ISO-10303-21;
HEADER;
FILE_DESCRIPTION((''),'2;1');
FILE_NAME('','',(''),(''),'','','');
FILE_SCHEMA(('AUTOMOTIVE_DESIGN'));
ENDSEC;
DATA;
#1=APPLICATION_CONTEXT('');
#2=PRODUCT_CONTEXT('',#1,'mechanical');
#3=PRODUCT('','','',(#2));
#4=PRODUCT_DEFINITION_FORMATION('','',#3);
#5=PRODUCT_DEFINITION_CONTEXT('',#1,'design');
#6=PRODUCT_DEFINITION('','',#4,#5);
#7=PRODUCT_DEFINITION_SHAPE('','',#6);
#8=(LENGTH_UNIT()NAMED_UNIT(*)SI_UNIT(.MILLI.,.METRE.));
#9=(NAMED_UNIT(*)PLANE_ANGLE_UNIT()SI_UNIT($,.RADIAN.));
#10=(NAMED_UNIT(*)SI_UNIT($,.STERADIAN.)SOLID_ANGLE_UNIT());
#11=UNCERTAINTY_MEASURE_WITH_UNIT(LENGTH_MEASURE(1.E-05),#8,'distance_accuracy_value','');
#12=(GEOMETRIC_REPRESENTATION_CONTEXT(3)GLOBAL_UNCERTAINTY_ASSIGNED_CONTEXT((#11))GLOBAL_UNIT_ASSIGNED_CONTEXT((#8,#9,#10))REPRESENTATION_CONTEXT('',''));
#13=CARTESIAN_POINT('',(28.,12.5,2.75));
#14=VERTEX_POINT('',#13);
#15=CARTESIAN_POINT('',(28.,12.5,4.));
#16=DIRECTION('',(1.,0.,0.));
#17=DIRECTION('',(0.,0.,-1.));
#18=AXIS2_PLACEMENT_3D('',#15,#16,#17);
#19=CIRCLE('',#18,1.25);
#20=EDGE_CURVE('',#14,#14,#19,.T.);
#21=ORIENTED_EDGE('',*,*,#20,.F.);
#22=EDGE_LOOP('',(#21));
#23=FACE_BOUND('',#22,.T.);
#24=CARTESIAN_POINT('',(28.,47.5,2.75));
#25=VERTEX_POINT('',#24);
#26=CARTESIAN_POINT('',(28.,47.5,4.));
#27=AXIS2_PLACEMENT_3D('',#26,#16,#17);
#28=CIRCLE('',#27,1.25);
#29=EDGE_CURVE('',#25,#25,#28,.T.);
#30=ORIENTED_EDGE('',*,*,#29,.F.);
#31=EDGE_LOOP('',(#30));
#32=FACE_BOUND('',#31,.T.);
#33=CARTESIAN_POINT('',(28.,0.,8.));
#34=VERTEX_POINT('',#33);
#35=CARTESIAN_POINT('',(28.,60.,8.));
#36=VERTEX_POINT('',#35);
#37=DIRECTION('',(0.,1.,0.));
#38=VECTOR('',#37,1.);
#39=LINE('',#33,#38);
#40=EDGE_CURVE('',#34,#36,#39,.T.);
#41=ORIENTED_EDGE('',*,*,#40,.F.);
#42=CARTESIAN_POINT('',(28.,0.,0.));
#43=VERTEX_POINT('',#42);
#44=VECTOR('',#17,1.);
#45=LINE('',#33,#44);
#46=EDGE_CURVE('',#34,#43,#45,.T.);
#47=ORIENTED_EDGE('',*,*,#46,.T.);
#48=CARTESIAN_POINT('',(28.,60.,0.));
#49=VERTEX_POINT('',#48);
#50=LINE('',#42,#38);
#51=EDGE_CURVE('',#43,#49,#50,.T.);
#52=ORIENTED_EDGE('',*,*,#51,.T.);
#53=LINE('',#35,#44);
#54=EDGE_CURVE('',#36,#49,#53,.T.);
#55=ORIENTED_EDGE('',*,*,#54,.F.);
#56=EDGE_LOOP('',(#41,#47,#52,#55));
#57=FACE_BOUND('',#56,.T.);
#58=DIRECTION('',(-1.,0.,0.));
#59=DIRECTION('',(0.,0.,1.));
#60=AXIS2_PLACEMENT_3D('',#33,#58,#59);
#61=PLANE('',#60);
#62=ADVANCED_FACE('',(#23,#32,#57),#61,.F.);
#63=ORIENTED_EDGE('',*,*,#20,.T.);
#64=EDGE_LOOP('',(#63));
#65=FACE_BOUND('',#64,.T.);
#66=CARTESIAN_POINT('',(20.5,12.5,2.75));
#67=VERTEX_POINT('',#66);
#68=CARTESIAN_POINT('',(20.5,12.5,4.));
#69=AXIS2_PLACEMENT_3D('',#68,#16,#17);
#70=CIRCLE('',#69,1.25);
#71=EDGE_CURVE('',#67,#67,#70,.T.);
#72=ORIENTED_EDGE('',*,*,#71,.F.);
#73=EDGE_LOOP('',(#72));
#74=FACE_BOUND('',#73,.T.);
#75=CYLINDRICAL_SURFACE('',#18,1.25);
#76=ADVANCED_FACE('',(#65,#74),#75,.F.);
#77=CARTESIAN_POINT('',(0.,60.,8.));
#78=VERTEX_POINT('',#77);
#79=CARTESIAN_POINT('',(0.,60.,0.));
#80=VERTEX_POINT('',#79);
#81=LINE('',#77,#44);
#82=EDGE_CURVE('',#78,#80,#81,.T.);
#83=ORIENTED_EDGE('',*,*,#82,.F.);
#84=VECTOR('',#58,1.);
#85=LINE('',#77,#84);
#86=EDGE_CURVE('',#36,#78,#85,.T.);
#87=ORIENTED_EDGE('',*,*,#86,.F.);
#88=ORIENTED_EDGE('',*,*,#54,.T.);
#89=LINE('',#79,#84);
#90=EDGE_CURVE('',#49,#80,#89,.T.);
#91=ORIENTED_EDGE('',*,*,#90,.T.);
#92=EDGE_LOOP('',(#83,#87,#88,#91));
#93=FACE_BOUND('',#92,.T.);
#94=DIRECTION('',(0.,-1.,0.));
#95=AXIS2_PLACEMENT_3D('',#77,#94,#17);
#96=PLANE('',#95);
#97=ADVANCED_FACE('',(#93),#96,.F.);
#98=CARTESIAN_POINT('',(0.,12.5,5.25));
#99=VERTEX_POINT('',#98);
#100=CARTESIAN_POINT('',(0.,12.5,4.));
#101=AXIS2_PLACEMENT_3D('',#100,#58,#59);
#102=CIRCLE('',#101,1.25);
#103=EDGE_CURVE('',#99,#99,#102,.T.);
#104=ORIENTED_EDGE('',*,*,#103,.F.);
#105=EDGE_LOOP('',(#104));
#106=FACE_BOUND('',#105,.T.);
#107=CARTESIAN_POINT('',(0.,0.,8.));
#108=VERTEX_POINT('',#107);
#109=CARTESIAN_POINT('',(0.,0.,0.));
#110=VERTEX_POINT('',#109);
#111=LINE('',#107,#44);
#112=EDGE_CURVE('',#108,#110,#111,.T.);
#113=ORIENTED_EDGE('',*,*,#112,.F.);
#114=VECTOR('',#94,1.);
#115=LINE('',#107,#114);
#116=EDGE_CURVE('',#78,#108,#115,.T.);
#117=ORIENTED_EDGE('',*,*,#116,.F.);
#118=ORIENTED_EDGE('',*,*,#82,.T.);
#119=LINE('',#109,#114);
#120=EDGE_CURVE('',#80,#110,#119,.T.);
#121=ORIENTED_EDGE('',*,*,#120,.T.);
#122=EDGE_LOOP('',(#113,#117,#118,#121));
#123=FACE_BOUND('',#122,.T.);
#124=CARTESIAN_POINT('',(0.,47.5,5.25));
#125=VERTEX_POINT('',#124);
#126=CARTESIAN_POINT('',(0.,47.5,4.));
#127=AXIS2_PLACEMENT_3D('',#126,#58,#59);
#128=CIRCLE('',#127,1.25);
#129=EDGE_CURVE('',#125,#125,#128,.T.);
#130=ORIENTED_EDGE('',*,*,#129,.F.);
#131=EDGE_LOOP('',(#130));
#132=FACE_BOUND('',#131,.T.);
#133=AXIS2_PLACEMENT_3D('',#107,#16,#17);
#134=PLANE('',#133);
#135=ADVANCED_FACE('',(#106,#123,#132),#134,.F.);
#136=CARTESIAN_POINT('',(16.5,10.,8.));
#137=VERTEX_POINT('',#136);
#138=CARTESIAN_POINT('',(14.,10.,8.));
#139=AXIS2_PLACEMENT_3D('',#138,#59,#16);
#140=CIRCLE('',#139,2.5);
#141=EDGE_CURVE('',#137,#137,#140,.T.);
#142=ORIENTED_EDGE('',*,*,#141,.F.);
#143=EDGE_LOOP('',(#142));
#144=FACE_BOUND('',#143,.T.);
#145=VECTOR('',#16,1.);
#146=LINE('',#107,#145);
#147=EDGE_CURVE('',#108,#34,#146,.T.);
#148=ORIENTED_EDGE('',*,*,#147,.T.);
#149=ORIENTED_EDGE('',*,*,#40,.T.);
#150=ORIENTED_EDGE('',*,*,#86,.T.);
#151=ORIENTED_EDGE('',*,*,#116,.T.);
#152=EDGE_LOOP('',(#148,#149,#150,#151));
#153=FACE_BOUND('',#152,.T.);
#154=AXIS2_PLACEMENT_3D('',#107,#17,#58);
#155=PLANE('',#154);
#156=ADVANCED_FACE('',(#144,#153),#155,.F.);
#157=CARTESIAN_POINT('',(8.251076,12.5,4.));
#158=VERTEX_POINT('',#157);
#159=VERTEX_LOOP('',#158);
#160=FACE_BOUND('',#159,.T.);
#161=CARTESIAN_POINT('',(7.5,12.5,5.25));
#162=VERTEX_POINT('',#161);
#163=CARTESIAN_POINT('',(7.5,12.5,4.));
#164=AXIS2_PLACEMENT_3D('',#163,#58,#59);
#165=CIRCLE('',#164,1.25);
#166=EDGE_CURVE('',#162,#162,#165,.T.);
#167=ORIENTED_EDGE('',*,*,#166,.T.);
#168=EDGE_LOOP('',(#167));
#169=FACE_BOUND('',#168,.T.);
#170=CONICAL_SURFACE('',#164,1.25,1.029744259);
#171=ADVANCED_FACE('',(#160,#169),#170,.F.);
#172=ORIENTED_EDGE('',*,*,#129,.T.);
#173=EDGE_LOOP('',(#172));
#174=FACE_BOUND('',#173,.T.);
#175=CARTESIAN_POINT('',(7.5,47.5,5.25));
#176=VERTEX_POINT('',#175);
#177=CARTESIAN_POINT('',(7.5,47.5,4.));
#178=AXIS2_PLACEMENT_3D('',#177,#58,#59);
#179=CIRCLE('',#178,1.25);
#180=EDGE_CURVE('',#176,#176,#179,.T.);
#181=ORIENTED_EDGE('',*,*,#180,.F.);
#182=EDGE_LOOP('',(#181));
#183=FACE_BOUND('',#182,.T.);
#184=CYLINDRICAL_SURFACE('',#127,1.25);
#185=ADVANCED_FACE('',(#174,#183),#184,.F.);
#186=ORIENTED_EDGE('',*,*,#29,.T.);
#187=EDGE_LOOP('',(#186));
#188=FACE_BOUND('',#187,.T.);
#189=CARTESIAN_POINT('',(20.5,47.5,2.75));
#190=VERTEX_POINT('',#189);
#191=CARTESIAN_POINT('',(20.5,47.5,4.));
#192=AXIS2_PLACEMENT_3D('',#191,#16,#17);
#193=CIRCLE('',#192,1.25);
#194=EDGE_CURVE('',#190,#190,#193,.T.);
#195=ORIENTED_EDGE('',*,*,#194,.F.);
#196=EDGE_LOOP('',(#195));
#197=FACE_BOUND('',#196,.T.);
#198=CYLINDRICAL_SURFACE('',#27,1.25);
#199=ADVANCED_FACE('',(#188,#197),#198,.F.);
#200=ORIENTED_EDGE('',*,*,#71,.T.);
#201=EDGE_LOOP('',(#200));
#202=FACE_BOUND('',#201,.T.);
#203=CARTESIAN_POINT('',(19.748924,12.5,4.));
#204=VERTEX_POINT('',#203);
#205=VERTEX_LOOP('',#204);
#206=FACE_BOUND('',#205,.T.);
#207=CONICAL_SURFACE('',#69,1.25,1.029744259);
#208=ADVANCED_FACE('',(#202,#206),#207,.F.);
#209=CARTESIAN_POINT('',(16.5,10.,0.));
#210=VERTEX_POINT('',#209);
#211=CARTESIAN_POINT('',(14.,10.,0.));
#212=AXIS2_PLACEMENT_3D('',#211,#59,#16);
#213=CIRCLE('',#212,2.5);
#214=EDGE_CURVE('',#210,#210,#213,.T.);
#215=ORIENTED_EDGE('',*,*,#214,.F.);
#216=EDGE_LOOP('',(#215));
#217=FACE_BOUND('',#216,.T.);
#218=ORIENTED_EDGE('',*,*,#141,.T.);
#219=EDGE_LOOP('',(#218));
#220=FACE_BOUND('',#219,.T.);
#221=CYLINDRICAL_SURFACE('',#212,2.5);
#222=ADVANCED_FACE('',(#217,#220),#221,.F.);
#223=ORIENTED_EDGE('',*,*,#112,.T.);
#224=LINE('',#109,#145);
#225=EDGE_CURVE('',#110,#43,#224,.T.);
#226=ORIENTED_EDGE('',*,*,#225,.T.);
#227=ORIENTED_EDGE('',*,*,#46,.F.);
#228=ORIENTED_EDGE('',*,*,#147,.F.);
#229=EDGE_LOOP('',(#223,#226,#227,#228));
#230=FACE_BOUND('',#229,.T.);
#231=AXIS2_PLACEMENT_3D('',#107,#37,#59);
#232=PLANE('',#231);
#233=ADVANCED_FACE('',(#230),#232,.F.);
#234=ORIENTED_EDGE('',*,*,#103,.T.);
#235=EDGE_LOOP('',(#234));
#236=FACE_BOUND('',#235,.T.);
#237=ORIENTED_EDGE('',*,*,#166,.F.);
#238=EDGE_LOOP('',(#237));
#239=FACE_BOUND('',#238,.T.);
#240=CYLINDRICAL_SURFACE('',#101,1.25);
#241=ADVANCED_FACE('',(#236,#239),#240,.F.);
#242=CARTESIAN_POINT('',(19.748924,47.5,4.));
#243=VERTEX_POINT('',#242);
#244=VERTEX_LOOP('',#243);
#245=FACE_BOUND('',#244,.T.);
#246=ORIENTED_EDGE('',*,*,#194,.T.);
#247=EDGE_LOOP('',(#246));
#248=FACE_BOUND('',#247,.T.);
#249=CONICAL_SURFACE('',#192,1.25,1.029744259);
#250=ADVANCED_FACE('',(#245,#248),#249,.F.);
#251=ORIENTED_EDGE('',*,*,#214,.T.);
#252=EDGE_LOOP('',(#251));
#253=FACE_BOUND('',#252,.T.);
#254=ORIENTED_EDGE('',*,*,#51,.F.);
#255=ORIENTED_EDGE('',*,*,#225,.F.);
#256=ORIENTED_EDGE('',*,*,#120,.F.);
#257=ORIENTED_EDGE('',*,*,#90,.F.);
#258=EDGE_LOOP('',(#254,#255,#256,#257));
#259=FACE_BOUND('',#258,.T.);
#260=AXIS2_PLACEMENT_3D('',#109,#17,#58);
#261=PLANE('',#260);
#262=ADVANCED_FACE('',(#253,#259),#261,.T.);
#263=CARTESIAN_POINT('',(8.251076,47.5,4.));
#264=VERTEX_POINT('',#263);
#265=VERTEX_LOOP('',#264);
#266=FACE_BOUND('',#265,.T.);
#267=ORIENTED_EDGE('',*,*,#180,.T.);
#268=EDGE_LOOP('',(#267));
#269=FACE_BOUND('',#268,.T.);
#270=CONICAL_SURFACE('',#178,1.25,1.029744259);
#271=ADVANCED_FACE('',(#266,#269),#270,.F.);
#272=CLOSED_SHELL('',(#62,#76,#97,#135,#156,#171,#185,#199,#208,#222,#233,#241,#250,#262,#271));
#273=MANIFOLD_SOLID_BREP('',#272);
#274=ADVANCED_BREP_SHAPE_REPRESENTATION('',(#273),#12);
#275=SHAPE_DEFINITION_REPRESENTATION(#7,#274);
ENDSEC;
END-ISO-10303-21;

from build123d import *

# Parameters (mm, degrees)
SKETCH_1_W          = 28
SKETCH_1_H          = 60
EXTRUDE_1_DEPTH     = 8
SKETCH_2_R          = 2.5
CUT_EXTRUDE_1_DEPTH = 67.693328002
M3X0_5_1_D          = 2.5
M3X0_5_1_DEPTH      = 7.5
M3X0_5_1_TIP        = 0.751075774
M3X0_5_2_D          = 2.5
M3X0_5_2_DEPTH      = 7.5
M3X0_5_2_TIP        = 0.751075774


with BuildPart() as part:
    # ｽｹｯﾁ1 → ﾎﾞｽ - 押し出し1 (new body)
    with BuildSketch(Plane.XY):
        with Locations((14, 30)):
            Rectangle(SKETCH_1_W, SKETCH_1_H)
    extrude(amount=EXTRUDE_1_DEPTH)

    # ｽｹｯﾁ2 → ｶｯﾄ - 押し出し1 (cut, through all)
    with BuildSketch(Plane.XY.offset(8)):
        with Locations((14, 10)):
            Circle(SKETCH_2_R)
    extrude(amount=-CUT_EXTRUDE_1_DEPTH, mode=Mode.SUBTRACT)

    # M3x0.5 ねじ穴1
    with Locations(Plane(origin=(0, 47.5, 4), x_dir=(0, 0, -1), z_dir=(-1, 0, 0))):
        with Locations((0, 0), (0, 35)):
            Hole(M3X0_5_1_D / 2, depth=M3X0_5_1_DEPTH)
            with Locations((0, 0, -(M3X0_5_1_DEPTH + M3X0_5_1_TIP / 2))):  # 118° drill point
                Cone(0, M3X0_5_1_D / 2, M3X0_5_1_TIP, mode=Mode.SUBTRACT)

    # M3x0.5 ねじ穴2
    with Locations(Plane(origin=(28, 47.5, 4), x_dir=(0, 0, 1), z_dir=(1, 0, 0))):
        with Locations((0, 0), (0, 35)):
            Hole(M3X0_5_2_D / 2, depth=M3X0_5_2_DEPTH)
            with Locations((0, 0, -(M3X0_5_2_DEPTH + M3X0_5_2_TIP / 2))):  # 118° drill point
                Cone(0, M3X0_5_2_D / 2, M3X0_5_2_TIP, mode=Mode.SUBTRACT)


solid = part.part
